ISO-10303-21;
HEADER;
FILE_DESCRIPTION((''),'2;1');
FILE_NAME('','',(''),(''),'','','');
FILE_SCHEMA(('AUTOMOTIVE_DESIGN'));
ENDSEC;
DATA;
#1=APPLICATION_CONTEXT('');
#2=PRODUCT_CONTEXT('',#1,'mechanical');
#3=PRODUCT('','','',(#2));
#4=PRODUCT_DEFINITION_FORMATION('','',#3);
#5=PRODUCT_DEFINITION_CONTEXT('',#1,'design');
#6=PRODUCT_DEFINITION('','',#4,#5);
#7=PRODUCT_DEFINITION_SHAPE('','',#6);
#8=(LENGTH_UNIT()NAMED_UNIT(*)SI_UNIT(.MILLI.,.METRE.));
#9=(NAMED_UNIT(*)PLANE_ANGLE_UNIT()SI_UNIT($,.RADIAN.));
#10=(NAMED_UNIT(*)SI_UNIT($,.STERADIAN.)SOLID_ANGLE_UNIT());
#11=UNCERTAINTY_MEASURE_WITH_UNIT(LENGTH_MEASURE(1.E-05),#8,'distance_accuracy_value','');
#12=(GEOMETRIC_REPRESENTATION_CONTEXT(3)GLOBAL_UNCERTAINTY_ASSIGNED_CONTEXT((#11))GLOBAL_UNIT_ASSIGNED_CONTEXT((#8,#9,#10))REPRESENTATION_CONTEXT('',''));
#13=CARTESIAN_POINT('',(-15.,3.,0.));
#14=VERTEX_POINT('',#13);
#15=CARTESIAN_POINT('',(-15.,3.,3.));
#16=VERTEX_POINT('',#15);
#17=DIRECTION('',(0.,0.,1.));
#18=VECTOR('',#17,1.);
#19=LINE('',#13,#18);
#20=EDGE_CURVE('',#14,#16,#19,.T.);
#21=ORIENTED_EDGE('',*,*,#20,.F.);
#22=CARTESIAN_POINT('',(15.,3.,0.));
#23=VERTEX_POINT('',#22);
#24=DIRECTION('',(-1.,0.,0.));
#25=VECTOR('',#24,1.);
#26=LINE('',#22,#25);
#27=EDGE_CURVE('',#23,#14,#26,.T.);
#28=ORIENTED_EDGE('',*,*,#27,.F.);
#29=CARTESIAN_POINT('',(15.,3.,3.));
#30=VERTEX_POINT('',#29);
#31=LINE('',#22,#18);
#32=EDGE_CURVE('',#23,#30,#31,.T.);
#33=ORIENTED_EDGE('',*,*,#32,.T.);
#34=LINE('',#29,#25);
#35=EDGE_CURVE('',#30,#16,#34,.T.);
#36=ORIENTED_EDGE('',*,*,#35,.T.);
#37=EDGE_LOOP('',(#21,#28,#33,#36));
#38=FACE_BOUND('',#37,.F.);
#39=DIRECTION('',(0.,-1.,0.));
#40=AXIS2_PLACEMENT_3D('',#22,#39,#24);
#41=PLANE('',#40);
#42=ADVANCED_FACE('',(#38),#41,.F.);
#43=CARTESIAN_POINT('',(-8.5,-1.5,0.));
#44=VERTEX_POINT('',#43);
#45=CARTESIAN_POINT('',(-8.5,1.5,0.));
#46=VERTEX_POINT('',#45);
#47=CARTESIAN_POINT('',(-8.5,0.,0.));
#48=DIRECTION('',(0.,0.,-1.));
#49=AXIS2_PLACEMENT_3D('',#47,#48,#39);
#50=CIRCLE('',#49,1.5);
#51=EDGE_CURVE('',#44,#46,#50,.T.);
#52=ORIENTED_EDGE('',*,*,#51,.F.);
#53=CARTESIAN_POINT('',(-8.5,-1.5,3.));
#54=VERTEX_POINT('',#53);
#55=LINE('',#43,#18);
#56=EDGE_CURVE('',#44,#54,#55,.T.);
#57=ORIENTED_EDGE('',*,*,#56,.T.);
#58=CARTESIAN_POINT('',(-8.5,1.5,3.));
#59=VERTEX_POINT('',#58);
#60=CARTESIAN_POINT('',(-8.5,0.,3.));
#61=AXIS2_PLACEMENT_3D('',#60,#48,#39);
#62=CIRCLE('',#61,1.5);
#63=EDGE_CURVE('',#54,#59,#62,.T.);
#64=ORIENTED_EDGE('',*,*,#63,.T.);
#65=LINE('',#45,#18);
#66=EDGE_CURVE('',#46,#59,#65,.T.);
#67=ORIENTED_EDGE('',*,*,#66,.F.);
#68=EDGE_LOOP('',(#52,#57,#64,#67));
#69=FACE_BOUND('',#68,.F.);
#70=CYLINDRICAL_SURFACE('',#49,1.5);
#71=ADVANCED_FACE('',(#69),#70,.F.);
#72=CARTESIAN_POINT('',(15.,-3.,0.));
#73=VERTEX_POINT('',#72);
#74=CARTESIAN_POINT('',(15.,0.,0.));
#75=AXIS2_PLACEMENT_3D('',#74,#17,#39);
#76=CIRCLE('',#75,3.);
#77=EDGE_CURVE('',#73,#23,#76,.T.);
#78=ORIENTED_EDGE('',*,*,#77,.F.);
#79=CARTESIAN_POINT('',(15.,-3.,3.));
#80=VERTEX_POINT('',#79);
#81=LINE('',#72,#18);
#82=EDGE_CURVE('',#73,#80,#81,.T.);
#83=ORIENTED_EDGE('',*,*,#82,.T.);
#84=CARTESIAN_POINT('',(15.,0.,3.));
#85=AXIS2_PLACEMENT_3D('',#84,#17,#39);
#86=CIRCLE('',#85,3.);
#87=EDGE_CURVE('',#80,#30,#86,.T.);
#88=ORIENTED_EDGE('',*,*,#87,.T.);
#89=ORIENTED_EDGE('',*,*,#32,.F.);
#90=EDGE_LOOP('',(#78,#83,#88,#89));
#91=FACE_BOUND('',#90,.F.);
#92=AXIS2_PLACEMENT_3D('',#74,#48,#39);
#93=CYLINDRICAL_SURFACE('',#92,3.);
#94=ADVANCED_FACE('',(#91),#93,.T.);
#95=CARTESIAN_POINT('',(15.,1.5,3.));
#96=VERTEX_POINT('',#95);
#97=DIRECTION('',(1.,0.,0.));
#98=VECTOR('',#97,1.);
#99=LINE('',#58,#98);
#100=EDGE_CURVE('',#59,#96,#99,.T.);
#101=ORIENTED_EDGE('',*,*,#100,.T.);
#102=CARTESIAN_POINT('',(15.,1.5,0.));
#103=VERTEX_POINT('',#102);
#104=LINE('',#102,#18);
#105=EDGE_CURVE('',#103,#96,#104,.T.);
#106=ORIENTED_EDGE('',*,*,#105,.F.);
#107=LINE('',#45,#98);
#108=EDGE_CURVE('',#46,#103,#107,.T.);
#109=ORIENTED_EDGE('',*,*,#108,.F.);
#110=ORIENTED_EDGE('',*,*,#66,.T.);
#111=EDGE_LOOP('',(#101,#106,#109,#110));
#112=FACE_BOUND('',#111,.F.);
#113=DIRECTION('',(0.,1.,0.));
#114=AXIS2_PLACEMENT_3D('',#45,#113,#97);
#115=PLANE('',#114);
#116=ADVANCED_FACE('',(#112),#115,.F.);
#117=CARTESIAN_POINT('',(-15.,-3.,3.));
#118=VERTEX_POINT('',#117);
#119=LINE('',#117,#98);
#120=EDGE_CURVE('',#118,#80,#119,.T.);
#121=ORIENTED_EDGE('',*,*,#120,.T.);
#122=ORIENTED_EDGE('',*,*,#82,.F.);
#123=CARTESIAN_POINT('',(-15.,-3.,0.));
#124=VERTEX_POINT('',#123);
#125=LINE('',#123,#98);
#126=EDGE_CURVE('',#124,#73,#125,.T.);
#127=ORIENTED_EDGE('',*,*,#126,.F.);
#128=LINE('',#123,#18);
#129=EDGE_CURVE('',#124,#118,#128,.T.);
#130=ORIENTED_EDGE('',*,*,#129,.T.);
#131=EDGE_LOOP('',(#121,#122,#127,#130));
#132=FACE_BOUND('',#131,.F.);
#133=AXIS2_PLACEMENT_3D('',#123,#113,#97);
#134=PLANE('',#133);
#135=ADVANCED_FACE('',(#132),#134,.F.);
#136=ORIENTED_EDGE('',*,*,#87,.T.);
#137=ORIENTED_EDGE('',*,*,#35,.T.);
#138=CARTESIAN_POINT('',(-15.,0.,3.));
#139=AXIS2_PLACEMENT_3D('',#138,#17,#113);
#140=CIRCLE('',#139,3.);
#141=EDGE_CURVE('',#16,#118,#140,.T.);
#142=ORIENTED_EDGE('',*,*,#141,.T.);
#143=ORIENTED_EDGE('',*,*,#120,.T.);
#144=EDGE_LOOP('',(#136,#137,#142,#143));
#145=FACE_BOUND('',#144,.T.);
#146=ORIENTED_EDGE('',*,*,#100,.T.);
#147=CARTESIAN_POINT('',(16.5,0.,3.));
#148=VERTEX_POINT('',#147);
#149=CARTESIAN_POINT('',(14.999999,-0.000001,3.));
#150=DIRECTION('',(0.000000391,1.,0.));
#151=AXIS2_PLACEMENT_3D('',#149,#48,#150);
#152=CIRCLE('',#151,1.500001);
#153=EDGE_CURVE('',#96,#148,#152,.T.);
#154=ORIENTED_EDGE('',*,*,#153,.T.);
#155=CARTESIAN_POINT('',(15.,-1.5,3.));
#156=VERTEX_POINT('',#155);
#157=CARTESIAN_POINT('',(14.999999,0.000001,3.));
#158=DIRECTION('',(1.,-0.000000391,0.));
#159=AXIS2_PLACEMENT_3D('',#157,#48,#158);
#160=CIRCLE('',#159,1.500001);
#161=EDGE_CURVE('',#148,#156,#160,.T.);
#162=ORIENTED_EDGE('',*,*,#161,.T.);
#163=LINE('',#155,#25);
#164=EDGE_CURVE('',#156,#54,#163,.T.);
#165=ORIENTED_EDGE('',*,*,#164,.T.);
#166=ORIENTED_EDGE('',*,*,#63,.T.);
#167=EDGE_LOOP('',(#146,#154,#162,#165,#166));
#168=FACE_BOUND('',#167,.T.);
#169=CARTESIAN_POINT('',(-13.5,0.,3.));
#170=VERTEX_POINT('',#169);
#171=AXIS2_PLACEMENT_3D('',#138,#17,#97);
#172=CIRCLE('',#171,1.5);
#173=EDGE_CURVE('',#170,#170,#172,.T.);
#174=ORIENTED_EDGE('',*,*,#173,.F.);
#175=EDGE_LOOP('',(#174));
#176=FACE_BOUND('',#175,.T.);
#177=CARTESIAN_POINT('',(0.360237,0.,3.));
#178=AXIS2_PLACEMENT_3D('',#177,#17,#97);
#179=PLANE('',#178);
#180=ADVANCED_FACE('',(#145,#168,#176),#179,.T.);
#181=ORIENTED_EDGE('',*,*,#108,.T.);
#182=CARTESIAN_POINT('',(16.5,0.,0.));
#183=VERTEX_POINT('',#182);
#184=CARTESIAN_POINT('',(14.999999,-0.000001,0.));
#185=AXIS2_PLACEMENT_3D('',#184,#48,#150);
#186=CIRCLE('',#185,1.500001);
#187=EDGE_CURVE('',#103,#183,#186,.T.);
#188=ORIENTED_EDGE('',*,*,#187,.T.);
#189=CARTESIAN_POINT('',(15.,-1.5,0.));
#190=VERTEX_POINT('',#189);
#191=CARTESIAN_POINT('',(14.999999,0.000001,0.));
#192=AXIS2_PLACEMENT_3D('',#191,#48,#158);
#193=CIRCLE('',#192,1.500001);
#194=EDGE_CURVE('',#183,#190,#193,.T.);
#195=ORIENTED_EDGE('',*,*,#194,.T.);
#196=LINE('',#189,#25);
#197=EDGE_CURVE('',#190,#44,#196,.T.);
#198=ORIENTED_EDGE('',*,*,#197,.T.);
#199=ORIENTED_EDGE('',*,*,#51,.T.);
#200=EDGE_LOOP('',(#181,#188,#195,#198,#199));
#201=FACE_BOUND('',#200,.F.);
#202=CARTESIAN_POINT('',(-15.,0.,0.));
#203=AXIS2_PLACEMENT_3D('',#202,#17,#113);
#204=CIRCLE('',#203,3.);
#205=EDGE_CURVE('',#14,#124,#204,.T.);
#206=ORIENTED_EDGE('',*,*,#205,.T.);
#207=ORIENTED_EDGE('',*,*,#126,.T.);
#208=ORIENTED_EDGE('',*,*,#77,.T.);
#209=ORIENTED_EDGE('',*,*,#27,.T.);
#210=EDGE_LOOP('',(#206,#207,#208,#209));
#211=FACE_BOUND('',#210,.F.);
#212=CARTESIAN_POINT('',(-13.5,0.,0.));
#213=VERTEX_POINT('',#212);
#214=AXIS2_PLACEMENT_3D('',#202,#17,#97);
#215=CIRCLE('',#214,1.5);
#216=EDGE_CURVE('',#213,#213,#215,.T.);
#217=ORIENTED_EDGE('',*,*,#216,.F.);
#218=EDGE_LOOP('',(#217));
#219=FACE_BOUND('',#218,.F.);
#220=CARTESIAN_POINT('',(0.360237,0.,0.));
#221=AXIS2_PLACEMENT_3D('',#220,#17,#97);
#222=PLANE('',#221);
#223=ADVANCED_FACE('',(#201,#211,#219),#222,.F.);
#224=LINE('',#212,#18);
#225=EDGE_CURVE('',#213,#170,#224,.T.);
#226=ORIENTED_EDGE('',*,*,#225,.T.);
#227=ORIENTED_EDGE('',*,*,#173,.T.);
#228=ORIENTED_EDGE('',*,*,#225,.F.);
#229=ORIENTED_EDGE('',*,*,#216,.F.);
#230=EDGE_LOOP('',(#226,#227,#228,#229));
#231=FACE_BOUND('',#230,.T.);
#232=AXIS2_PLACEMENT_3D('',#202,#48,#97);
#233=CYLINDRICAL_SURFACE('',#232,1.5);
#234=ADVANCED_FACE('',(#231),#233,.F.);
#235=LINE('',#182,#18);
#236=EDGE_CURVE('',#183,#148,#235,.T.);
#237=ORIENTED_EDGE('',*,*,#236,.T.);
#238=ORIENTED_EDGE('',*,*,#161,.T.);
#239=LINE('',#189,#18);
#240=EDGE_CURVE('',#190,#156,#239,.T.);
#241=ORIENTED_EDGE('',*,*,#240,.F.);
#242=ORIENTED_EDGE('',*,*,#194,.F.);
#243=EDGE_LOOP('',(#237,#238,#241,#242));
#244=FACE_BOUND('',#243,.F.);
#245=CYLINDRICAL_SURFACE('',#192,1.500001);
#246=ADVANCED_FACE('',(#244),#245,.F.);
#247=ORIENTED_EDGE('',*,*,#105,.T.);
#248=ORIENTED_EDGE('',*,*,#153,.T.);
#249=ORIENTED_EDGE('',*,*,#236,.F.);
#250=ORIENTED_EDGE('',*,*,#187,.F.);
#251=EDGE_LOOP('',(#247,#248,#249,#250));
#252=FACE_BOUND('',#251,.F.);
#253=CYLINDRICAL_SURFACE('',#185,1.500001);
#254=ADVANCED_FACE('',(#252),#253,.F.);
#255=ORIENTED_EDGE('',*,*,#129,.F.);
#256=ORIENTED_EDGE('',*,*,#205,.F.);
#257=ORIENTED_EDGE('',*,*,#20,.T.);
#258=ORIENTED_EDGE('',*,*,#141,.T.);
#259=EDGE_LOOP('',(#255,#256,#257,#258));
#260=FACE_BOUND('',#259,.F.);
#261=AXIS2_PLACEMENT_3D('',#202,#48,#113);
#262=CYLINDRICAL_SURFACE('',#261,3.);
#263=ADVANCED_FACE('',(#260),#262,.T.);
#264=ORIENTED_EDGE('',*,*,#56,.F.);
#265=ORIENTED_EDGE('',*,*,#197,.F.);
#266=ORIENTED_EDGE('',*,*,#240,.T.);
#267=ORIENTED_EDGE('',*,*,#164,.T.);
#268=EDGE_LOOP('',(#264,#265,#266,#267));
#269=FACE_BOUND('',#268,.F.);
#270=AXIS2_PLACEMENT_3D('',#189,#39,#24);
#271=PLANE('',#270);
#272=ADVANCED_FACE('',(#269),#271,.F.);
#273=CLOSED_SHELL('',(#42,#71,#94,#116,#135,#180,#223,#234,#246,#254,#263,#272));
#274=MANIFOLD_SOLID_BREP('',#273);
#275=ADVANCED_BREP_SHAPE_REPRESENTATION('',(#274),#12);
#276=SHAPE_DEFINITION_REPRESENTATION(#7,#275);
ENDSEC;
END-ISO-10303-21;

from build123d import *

# Parameters (mm, degrees)
F0_R     = 1.5
F1_DEPTH = 3


with BuildPart() as f1:
    # F0 (on Top) → F1 (new body)
    with BuildSketch(Plane.XY):
        with BuildLine():
            Line((15, 3), (0, 3))
            Line((0, 3), (-15, 3))
            ThreePointArc((-15, 3), (-12.87868, 2.12132), (-12, 0))
            ThreePointArc((-12, 0), (-12.87868, -2.12132), (-15, -3))
            Line((-15, -3), (0, -3))
            Line((0, -3), (15, -3))
            ThreePointArc((15, -3), (18, 0), (15, 3))
        make_face()
        with BuildLine():
            ThreePointArc((-8.5, -1.5), (-10, 0), (-8.5, 1.5))
            Line((-8.5, 1.5), (15, 1.5))
            ThreePointArc((15, 1.5), (16.06066, 1.06066), (16.5, 0))
            ThreePointArc((16.5, 0), (16.06066, -1.06066), (15, -1.5))
            Line((15, -1.5), (-8.5, -1.5))
        make_face(mode=Mode.SUBTRACT)
        with BuildLine():
            ThreePointArc((-12, 0), (-12.87868, 2.12132), (-15, 3))
            ThreePointArc((-15, 3), (-18, 0), (-15, -3))
            ThreePointArc((-15, -3), (-12.87868, -2.12132), (-12, 0))
        make_face()
        with Locations((-15, 0)):
            Circle(F0_R, mode=Mode.SUBTRACT)
    extrude(amount=F1_DEPTH)


solid = f1.part
